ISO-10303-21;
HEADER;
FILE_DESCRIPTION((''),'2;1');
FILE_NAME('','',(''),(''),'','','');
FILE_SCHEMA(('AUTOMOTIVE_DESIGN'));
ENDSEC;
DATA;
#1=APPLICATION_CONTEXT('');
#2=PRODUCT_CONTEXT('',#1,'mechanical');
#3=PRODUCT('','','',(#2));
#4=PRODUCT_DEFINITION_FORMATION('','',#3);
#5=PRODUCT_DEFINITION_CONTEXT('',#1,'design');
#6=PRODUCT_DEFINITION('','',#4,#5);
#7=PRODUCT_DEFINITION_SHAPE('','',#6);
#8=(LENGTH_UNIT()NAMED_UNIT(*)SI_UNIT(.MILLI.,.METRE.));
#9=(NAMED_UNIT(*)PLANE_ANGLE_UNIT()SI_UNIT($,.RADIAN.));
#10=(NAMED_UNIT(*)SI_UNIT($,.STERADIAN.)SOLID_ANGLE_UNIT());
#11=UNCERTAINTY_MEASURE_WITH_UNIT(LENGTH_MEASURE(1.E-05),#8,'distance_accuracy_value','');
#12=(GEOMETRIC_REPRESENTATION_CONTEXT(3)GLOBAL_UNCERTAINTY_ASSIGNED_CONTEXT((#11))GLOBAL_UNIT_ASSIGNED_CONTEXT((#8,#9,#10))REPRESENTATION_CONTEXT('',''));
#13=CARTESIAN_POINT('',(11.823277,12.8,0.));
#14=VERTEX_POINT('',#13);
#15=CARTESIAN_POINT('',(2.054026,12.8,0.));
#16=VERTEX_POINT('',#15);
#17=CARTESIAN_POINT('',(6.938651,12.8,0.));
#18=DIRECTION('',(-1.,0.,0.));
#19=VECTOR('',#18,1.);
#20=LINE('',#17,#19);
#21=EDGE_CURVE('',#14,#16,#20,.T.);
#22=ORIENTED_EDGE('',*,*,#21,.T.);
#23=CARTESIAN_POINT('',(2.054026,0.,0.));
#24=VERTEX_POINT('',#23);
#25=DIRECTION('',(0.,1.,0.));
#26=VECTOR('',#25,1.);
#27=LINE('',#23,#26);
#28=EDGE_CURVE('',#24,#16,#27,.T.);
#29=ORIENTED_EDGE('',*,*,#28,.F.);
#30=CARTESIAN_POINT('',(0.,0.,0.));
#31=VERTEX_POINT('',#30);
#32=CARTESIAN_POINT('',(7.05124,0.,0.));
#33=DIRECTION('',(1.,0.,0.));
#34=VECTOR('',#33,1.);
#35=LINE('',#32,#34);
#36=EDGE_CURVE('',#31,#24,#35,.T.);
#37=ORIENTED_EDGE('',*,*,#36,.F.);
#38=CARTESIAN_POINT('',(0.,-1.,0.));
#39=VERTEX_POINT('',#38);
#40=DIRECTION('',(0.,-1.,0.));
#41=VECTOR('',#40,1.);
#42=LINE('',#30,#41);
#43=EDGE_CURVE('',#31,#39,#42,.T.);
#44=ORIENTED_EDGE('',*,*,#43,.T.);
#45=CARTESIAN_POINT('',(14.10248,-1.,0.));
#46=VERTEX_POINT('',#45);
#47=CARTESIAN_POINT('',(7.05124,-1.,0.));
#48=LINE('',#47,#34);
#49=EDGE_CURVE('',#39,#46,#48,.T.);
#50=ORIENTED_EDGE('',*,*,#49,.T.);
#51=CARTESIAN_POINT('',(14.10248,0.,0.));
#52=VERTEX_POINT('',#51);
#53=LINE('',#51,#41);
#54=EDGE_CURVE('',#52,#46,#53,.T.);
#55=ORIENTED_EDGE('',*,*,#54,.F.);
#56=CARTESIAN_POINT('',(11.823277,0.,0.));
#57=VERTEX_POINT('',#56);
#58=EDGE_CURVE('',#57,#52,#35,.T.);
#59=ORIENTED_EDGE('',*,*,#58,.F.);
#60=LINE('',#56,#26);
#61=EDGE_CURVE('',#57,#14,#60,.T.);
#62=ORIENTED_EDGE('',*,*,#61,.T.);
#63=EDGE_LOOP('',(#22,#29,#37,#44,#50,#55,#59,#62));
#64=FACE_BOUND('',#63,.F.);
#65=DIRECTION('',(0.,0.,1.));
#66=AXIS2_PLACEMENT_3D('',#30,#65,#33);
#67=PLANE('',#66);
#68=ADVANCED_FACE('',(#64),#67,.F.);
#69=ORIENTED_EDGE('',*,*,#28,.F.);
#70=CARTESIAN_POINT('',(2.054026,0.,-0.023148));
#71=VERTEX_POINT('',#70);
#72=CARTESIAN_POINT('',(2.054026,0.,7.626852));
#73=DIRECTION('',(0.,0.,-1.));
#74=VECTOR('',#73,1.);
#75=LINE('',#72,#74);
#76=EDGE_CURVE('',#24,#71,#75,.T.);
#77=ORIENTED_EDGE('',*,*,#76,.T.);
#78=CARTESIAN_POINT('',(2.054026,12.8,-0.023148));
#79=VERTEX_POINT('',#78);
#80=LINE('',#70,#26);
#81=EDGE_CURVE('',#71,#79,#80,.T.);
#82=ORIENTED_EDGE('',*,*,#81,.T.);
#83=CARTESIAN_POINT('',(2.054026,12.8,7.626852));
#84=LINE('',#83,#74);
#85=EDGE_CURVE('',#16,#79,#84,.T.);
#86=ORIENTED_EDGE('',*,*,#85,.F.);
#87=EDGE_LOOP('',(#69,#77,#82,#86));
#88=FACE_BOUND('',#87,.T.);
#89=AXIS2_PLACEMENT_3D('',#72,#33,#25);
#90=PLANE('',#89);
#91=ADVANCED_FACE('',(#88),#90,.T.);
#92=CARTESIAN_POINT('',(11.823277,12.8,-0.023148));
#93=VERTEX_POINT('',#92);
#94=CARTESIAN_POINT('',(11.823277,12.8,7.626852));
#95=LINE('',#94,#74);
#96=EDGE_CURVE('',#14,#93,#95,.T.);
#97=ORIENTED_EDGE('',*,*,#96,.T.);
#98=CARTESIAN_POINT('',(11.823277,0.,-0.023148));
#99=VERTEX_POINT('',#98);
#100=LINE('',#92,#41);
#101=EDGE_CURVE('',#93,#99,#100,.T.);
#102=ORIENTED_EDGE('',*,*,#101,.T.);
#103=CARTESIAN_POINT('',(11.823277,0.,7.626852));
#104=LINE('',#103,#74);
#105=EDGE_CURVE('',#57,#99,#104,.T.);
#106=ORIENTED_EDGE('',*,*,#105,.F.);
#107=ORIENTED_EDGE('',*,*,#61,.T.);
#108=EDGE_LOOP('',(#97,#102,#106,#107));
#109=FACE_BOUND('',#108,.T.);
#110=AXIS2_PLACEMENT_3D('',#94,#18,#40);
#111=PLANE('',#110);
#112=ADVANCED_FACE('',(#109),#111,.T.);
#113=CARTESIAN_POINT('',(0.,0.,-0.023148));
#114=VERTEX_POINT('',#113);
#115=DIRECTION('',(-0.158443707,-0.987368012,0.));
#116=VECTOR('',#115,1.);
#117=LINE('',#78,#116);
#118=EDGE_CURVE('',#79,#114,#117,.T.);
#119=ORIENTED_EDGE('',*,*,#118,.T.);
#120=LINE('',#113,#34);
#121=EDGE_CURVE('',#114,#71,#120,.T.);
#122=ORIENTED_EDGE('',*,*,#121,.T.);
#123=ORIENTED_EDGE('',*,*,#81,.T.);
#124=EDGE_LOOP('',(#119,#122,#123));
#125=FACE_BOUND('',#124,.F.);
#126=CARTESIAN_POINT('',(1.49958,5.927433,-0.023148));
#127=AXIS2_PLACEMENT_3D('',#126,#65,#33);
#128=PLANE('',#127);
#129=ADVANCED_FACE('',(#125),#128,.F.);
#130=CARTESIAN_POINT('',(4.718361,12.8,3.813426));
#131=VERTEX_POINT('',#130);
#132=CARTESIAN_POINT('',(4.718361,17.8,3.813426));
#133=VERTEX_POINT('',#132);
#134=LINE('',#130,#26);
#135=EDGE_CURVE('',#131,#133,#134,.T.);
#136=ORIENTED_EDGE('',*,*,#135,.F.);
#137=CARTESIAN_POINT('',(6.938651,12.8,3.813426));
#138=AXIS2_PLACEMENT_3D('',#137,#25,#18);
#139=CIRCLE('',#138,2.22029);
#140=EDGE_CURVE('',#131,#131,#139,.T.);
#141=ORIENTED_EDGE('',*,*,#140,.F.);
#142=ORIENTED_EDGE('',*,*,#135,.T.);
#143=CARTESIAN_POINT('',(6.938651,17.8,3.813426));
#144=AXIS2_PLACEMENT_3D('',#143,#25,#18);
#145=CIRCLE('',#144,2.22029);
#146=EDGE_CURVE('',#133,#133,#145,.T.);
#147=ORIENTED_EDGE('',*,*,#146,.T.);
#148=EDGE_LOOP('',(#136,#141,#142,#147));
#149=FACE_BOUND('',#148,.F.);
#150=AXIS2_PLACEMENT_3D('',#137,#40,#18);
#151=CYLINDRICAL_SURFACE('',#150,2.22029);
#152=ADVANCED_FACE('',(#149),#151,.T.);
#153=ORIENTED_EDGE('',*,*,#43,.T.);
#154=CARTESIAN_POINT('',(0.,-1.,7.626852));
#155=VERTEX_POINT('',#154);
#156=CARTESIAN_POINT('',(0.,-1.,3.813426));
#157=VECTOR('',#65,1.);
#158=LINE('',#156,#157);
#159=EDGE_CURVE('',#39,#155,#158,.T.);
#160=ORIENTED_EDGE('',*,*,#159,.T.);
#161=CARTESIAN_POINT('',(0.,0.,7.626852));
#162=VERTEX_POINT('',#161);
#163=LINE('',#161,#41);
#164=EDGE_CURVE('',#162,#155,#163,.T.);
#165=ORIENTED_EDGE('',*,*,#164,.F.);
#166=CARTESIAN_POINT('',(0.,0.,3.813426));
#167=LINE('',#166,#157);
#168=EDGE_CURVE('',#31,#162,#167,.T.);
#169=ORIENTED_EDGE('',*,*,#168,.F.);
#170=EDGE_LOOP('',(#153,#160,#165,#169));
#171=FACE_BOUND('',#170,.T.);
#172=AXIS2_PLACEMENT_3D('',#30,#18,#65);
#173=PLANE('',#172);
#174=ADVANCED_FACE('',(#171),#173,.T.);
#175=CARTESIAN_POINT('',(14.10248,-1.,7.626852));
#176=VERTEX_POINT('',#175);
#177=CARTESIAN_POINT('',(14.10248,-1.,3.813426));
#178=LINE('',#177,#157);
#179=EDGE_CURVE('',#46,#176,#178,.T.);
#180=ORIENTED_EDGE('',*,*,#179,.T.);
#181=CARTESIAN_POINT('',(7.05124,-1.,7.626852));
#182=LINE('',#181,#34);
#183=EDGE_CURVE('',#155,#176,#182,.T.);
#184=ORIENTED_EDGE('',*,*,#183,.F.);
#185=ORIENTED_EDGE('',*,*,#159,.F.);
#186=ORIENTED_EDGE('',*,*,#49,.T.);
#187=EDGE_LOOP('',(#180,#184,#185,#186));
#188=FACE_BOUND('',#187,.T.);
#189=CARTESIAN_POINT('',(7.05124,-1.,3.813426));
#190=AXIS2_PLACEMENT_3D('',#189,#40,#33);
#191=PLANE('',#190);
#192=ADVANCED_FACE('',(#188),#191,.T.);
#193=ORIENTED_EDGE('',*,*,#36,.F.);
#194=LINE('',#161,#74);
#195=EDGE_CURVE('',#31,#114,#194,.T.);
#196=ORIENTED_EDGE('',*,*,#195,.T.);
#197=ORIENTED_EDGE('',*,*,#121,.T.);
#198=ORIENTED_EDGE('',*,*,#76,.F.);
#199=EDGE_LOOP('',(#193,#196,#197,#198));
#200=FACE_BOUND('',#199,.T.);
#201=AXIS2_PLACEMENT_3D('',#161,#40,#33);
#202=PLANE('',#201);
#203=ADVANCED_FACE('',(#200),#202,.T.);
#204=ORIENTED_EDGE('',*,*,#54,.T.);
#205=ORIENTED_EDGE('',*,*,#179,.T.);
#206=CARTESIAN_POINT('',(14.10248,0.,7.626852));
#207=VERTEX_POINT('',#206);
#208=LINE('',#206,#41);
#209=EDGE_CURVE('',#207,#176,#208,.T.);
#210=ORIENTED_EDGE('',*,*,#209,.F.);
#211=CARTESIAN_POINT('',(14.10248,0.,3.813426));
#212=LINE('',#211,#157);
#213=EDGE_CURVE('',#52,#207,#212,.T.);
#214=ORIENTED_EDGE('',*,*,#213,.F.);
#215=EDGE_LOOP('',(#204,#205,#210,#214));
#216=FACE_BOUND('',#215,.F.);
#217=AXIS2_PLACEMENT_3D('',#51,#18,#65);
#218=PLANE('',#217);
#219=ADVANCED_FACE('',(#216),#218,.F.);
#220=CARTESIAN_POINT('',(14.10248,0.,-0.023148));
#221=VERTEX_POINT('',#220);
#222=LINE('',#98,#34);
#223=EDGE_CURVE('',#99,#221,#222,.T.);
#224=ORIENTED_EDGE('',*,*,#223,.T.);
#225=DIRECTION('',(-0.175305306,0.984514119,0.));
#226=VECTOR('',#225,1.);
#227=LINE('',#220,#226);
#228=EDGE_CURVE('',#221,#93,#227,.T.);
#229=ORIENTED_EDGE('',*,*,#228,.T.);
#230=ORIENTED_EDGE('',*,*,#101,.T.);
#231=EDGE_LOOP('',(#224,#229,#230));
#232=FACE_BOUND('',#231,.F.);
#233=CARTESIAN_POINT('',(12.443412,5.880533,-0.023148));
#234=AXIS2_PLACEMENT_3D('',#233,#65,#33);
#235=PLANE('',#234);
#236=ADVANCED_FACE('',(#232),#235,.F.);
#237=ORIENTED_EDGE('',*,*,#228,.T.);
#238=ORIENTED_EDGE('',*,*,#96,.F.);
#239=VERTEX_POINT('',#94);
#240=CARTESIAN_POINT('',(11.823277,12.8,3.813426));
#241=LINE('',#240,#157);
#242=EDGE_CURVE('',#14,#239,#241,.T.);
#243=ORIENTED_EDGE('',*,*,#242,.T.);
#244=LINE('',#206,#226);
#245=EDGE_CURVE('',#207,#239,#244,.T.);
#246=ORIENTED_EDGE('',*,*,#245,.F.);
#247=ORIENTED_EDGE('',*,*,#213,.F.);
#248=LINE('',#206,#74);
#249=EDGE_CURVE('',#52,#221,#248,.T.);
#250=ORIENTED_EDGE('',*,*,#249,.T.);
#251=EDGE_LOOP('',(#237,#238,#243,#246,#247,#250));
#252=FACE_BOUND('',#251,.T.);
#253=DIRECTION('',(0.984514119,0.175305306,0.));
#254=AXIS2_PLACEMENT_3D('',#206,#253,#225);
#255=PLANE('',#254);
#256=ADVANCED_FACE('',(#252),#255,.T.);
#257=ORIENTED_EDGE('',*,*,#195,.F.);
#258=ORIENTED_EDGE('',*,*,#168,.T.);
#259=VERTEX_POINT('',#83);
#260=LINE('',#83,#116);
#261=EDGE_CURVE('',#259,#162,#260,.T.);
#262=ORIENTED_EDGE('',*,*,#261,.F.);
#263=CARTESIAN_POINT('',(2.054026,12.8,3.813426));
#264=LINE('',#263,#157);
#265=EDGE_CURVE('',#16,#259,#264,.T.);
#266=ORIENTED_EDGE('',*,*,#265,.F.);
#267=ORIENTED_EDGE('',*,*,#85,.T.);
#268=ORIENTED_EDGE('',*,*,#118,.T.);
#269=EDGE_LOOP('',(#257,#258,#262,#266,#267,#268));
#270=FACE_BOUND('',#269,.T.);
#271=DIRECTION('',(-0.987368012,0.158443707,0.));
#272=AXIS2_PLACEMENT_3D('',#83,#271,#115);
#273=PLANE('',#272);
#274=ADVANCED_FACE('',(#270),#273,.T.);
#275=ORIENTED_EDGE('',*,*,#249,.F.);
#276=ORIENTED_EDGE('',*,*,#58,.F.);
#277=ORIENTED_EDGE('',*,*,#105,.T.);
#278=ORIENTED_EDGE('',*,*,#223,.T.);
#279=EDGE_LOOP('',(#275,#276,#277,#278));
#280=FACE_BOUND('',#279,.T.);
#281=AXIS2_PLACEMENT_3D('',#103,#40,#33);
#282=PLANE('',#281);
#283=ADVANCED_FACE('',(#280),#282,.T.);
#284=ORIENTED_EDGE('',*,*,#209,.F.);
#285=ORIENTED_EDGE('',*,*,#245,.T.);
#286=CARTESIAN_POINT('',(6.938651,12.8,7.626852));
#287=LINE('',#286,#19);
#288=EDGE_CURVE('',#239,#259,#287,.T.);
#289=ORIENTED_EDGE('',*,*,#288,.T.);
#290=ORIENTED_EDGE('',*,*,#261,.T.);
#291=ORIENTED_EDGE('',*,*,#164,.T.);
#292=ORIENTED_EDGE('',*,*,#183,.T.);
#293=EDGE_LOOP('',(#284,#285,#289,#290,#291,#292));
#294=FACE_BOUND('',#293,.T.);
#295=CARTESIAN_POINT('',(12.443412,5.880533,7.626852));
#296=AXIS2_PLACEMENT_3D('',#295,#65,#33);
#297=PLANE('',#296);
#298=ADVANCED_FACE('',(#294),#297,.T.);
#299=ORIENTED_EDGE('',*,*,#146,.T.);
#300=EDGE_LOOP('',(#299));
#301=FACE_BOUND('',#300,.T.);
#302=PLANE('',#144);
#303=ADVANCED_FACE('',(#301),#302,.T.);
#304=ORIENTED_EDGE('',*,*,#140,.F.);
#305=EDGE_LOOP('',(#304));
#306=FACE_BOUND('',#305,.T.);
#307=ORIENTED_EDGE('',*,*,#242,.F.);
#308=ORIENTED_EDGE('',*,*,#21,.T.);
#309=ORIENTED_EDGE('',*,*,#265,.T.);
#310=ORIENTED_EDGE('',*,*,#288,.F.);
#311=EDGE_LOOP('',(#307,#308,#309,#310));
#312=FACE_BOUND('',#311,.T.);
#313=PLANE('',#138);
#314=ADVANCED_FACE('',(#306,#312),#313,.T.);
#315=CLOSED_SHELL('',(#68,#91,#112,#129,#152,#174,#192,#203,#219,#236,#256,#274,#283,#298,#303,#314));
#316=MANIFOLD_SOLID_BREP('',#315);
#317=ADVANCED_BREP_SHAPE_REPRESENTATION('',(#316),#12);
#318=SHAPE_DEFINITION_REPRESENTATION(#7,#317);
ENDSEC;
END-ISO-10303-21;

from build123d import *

# Parameters (mm, degrees)
F0_W     = 14.1024803743
F0_H     = 7.6268524863
F1_DEPTH = 1
F2_W     = 9.7692511044
F2_H     = 7.6268524863
F3_DEPTH = 12.8
F5_DEPTH = 7.65
F6_R     = 2.220289971
F7_DEPTH = 5


with BuildPart() as f1:
    # F0 (on Front) → F1 (new body)
    with BuildSketch(Plane.XZ):
        with Locations((7.0512401871, 3.8134262431)):
            Rectangle(F0_W, F0_H)
    extrude(amount=F1_DEPTH)

    # F2 (on face) → F3 (join)
    with BuildSketch(Plane(origin=(0, 0, 0), x_dir=(-1, 0, 0), z_dir=(0, 1, 0))):
        with Locations((-6.9386514369, 3.8134262431)):
            Rectangle(F2_W, F2_H)
    extrude(amount=F3_DEPTH)

    # F4 (on face) → F5 (join)
    with BuildSketch(Plane.XY.offset(7.6268524863)):
        Polygon((11.8232769892, 0), (14.1024803743, 0), (11.8232769892, 12.8), align=None)
        Polygon((2.0540258847, 0), (2.0540258847, 12.8), (0, 0), align=None)
    extrude(amount=-F5_DEPTH)

    # F6 (on face) → F7 (join)
    with BuildSketch(Plane(origin=(0, 12.8, 0), x_dir=(-1, 0, 0), z_dir=(0, 1, 0))):
        with Locations((-6.9386514369, 3.8134262431)):
            Circle(F6_R)
    extrude(amount=F7_DEPTH)


solid = f1.part
